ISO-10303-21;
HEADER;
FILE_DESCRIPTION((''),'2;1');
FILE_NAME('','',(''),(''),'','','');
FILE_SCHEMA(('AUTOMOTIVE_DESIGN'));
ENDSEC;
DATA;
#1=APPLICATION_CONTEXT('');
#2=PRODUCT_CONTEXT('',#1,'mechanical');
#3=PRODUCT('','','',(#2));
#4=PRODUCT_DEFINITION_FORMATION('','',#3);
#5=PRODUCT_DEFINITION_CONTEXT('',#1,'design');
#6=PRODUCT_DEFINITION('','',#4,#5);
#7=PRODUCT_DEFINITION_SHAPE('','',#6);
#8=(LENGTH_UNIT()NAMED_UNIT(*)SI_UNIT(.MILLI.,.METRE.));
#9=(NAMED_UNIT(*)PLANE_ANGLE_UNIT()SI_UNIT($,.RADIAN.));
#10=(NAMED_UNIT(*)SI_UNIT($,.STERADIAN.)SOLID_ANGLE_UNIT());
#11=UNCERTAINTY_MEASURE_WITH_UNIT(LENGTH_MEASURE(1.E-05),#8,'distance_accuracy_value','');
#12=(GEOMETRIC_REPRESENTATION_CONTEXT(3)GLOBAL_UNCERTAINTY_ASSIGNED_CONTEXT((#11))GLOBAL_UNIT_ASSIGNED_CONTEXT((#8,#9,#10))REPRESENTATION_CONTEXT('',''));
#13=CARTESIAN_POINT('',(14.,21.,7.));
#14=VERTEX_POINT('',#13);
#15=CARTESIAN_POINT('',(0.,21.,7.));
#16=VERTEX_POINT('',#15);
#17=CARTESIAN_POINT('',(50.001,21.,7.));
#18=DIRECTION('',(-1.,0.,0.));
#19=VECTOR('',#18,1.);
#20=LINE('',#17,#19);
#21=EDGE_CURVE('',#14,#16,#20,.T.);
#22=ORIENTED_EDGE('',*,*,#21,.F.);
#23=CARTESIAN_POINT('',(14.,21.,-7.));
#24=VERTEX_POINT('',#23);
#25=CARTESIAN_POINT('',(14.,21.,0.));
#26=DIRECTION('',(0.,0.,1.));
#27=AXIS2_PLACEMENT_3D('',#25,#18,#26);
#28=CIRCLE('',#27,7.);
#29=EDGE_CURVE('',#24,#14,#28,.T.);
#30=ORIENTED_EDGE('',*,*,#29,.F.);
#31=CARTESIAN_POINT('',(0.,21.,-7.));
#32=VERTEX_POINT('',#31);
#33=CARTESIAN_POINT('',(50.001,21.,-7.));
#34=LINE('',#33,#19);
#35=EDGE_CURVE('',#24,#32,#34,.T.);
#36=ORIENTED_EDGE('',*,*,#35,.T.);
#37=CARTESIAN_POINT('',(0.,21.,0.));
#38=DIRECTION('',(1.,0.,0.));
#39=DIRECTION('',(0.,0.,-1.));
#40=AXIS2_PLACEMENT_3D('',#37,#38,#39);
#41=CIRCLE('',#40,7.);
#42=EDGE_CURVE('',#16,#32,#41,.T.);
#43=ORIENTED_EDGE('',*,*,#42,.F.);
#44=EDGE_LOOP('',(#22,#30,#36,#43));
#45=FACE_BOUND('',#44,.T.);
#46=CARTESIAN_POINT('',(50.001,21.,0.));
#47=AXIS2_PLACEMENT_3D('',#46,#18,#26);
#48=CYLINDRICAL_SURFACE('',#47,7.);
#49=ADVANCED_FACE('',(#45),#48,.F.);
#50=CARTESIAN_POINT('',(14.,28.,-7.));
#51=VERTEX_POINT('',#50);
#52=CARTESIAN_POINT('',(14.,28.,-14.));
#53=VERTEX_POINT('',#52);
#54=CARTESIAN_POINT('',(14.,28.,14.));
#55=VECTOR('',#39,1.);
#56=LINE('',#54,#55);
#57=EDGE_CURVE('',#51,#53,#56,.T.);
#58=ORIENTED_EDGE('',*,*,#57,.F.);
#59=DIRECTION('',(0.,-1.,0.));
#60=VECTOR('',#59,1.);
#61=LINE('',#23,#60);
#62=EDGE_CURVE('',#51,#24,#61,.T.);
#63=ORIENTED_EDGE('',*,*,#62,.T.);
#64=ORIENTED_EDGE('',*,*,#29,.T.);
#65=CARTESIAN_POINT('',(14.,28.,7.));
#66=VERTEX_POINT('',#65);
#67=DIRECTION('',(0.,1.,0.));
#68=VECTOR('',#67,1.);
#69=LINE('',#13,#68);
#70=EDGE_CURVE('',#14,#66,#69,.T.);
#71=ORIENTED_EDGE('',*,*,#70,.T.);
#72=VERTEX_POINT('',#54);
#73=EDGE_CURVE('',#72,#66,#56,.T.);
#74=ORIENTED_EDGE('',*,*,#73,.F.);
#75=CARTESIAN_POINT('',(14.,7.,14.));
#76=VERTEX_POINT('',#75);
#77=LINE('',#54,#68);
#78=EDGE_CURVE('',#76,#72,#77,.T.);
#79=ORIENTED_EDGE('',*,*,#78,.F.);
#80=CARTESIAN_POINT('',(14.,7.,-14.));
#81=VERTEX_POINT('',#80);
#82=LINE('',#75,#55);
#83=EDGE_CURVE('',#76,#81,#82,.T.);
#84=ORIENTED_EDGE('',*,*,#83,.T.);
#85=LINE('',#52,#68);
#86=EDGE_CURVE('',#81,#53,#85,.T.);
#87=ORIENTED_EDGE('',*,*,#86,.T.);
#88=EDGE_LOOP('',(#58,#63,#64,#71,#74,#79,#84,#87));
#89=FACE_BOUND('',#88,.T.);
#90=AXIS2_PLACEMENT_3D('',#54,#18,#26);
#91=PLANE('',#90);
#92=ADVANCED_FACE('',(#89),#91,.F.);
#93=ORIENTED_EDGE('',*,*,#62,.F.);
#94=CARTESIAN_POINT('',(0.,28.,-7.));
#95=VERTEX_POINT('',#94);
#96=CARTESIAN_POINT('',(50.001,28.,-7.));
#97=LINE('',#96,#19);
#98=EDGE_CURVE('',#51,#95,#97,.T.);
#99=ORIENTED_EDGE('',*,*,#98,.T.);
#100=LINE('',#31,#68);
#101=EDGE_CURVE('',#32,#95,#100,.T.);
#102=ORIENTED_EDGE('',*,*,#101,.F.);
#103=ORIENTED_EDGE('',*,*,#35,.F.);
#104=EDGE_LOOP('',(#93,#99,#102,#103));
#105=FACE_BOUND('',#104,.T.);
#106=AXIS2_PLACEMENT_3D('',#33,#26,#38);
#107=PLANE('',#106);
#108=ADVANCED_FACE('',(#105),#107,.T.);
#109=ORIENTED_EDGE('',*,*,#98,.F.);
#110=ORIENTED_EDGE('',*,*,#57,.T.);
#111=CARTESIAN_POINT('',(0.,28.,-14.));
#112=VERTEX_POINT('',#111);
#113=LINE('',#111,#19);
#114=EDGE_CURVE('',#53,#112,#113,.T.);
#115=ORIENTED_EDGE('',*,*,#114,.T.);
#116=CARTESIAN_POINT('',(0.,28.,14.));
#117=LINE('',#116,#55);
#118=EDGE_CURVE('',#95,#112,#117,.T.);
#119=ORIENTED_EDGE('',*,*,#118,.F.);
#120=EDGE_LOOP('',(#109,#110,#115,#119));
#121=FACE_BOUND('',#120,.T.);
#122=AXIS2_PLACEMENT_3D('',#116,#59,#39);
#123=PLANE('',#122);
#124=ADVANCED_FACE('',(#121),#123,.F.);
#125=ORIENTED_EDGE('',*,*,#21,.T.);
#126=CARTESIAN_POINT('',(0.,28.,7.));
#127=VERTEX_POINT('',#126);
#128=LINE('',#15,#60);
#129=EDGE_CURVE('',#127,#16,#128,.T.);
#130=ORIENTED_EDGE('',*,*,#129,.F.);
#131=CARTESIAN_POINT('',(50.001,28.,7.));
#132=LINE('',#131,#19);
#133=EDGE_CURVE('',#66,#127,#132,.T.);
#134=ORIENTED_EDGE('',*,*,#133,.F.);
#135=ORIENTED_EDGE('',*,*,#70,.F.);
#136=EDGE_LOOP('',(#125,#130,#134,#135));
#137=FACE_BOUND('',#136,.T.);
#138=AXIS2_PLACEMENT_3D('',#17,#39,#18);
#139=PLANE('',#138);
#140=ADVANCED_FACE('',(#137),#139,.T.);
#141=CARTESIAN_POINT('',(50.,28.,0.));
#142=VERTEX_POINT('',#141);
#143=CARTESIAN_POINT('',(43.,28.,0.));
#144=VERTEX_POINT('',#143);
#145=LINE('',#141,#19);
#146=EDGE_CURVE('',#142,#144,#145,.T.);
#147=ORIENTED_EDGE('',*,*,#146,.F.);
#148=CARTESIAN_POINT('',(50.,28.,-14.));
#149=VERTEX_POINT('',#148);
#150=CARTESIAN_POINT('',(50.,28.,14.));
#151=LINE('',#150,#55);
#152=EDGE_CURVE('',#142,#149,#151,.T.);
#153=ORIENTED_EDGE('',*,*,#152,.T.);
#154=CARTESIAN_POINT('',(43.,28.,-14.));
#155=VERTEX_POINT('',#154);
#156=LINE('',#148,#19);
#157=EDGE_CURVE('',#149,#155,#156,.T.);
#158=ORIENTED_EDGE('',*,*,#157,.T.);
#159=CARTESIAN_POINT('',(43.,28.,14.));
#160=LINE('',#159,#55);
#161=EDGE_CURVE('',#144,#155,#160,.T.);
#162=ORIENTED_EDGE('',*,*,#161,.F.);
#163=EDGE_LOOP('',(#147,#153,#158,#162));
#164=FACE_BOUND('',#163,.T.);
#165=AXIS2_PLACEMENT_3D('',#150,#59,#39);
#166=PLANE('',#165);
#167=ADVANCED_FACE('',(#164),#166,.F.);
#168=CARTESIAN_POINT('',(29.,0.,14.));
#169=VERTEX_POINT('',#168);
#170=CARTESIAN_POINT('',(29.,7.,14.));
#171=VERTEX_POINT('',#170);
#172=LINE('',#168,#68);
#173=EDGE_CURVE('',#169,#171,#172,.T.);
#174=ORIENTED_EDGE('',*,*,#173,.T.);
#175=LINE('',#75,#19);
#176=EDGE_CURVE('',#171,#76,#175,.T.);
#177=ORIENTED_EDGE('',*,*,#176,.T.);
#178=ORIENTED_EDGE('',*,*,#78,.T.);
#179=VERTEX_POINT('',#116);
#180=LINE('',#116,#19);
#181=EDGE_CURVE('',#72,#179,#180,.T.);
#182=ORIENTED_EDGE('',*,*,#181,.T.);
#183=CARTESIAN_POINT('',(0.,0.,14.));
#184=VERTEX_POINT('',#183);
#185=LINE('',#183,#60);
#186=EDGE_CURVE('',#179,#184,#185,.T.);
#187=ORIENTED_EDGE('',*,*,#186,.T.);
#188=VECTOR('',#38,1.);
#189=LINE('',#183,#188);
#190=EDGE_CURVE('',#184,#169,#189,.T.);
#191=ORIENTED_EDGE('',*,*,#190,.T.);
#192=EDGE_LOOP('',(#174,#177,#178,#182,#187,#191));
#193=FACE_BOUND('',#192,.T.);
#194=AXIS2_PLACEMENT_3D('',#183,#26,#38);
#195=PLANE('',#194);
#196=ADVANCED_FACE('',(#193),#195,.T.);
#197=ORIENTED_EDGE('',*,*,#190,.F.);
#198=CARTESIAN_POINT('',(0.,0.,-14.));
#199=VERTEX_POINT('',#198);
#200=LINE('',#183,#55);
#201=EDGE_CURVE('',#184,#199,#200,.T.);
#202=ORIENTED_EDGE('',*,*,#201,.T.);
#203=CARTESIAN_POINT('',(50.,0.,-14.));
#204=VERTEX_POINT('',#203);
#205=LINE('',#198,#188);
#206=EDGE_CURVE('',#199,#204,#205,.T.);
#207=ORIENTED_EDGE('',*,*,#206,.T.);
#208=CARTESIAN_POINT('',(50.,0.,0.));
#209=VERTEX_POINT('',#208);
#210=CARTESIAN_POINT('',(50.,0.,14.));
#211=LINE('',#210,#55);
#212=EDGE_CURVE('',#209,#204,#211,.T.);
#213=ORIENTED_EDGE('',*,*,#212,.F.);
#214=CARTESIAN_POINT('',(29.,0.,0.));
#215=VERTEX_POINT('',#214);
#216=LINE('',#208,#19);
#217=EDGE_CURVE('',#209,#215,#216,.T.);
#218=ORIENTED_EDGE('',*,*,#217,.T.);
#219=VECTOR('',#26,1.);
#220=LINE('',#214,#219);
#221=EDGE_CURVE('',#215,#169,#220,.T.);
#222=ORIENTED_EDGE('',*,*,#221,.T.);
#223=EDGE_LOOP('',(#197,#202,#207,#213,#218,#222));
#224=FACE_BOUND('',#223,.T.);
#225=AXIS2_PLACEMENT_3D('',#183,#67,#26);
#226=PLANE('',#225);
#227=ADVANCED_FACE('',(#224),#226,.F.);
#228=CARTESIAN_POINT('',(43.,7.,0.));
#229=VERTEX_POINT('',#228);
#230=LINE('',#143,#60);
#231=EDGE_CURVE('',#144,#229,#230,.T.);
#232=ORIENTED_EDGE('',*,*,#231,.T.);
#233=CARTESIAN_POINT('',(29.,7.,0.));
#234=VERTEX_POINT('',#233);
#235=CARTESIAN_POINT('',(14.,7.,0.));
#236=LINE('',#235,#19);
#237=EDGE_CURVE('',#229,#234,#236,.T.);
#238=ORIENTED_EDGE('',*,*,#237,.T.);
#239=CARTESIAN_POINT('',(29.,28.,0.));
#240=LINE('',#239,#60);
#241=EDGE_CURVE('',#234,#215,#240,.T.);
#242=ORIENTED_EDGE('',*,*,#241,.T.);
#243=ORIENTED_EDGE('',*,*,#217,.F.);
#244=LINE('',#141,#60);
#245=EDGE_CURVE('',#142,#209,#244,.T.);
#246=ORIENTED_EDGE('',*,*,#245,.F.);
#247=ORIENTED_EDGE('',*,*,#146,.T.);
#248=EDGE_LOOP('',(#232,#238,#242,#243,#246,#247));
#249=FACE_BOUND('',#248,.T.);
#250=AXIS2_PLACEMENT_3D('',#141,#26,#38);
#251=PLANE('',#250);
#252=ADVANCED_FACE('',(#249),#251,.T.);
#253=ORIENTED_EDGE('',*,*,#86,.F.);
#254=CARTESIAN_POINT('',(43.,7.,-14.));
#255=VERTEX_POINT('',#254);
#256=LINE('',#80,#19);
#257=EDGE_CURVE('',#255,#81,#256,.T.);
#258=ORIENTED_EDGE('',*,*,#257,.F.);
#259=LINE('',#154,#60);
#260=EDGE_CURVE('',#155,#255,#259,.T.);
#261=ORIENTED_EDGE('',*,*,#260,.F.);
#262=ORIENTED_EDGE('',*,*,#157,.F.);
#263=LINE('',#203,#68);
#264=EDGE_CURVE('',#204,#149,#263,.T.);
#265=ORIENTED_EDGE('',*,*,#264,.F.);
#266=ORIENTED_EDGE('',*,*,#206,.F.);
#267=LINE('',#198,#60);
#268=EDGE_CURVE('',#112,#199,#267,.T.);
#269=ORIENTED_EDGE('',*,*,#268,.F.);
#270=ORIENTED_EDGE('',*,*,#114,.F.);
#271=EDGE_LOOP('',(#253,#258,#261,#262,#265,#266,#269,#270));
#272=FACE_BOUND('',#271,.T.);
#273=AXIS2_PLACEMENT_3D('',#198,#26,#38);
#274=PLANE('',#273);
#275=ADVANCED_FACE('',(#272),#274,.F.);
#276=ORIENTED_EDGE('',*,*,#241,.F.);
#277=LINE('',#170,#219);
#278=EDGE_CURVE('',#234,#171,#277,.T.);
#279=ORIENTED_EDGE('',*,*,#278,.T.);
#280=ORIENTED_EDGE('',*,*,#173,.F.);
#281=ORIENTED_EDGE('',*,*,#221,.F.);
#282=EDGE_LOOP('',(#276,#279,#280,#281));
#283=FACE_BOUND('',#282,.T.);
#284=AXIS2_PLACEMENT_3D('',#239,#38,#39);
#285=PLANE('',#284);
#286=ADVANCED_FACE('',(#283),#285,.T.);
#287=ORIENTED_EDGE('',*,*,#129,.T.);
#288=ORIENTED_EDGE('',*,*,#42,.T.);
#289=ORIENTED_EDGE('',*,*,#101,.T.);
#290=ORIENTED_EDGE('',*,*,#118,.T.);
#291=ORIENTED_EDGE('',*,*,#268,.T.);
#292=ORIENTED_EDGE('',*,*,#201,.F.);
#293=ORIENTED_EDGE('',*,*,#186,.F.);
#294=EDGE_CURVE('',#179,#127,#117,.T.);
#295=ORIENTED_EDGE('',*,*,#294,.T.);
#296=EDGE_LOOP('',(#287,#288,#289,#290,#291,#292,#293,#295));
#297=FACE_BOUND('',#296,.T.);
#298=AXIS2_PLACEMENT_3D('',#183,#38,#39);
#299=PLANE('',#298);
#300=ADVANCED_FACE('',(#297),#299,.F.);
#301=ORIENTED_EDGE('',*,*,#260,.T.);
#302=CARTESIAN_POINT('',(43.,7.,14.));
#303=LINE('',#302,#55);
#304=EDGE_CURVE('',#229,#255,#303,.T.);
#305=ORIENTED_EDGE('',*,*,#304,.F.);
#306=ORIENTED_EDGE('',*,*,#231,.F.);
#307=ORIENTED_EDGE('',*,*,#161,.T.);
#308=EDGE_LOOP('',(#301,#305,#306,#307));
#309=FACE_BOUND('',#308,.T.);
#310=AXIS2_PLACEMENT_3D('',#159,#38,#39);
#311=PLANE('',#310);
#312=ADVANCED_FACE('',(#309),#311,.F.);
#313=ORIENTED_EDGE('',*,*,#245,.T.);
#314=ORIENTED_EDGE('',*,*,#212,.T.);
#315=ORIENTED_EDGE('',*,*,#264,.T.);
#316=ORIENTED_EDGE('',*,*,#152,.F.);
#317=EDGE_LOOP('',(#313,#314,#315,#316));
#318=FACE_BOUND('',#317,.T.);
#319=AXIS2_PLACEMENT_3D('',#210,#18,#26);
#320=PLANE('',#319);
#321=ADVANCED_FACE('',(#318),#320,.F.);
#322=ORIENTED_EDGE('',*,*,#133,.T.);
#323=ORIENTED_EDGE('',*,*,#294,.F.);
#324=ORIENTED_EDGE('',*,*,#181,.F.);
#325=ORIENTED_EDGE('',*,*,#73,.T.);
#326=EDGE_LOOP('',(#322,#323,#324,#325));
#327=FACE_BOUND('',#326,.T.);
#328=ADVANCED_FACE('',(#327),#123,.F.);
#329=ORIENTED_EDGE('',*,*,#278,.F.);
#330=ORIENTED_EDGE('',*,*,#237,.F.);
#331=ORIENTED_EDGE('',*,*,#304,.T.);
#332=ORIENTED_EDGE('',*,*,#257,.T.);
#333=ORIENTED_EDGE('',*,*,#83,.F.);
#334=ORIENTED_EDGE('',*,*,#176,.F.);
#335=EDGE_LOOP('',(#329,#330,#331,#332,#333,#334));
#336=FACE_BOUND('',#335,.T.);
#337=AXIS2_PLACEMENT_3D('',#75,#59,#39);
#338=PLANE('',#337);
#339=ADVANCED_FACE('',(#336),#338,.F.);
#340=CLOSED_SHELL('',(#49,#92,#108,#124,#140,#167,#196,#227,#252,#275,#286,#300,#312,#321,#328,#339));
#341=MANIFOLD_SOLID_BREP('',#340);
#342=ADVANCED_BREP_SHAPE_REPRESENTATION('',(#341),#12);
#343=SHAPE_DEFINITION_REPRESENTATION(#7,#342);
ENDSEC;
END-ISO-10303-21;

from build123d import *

# Parameters (mm, degrees)
EXTRUDE_1_DEPTH     = 14
SKETCH_2_W          = 21
SKETCH_2_H          = 14
CUT_EXTRUDE_1_DEPTH = 29
CUT_EXTRUDE_2_REACH = 52


with BuildPart() as part:
    # 스케치1 → 보스-돌출1 (new body, symmetric)
    with BuildSketch(Plane.XY):
        Polygon((0, 0), (0, 28), (14, 28), (14, 7), (43, 7), (43, 28), (50, 28), (50, 0), align=None)
    extrude(amount=EXTRUDE_1_DEPTH, both=True)

    # 스케치2 → 컷-돌출1 (cut, through all)
    with BuildSketch(Plane(origin=(0, 0, 0), x_dir=(1, 0, 0), z_dir=(0, 1, 0))):
        with Locations((39.5, -7)):
            Rectangle(SKETCH_2_W, SKETCH_2_H)
    extrude(amount=CUT_EXTRUDE_1_DEPTH, mode=Mode.SUBTRACT)

    # 스케치3 → 컷-돌출2 (cut, up to next)
    with BuildSketch(Plane(origin=(0, 0, 0), x_dir=(0, 0, -1), z_dir=(1, 0, 0)), mode=Mode.PRIVATE) as cut_extrude_2_sk1:
        with BuildLine():
            Line((-7, 21), (-7, 28))
            Line((-7, 28), (7, 28))
            Line((7, 28), (7, 21))
            ThreePointArc((7, 21), (0, 14), (-7, 21))
        make_face()
    cut_extrude_2_tool1 = extrude(cut_extrude_2_sk1.sketch, amount=CUT_EXTRUDE_2_REACH, mode=Mode.PRIVATE) & part.part
    add(cut_extrude_2_tool1.solids().sort_by_distance((0, 21.653449, 0))[0], mode=Mode.SUBTRACT)


solid = part.part
